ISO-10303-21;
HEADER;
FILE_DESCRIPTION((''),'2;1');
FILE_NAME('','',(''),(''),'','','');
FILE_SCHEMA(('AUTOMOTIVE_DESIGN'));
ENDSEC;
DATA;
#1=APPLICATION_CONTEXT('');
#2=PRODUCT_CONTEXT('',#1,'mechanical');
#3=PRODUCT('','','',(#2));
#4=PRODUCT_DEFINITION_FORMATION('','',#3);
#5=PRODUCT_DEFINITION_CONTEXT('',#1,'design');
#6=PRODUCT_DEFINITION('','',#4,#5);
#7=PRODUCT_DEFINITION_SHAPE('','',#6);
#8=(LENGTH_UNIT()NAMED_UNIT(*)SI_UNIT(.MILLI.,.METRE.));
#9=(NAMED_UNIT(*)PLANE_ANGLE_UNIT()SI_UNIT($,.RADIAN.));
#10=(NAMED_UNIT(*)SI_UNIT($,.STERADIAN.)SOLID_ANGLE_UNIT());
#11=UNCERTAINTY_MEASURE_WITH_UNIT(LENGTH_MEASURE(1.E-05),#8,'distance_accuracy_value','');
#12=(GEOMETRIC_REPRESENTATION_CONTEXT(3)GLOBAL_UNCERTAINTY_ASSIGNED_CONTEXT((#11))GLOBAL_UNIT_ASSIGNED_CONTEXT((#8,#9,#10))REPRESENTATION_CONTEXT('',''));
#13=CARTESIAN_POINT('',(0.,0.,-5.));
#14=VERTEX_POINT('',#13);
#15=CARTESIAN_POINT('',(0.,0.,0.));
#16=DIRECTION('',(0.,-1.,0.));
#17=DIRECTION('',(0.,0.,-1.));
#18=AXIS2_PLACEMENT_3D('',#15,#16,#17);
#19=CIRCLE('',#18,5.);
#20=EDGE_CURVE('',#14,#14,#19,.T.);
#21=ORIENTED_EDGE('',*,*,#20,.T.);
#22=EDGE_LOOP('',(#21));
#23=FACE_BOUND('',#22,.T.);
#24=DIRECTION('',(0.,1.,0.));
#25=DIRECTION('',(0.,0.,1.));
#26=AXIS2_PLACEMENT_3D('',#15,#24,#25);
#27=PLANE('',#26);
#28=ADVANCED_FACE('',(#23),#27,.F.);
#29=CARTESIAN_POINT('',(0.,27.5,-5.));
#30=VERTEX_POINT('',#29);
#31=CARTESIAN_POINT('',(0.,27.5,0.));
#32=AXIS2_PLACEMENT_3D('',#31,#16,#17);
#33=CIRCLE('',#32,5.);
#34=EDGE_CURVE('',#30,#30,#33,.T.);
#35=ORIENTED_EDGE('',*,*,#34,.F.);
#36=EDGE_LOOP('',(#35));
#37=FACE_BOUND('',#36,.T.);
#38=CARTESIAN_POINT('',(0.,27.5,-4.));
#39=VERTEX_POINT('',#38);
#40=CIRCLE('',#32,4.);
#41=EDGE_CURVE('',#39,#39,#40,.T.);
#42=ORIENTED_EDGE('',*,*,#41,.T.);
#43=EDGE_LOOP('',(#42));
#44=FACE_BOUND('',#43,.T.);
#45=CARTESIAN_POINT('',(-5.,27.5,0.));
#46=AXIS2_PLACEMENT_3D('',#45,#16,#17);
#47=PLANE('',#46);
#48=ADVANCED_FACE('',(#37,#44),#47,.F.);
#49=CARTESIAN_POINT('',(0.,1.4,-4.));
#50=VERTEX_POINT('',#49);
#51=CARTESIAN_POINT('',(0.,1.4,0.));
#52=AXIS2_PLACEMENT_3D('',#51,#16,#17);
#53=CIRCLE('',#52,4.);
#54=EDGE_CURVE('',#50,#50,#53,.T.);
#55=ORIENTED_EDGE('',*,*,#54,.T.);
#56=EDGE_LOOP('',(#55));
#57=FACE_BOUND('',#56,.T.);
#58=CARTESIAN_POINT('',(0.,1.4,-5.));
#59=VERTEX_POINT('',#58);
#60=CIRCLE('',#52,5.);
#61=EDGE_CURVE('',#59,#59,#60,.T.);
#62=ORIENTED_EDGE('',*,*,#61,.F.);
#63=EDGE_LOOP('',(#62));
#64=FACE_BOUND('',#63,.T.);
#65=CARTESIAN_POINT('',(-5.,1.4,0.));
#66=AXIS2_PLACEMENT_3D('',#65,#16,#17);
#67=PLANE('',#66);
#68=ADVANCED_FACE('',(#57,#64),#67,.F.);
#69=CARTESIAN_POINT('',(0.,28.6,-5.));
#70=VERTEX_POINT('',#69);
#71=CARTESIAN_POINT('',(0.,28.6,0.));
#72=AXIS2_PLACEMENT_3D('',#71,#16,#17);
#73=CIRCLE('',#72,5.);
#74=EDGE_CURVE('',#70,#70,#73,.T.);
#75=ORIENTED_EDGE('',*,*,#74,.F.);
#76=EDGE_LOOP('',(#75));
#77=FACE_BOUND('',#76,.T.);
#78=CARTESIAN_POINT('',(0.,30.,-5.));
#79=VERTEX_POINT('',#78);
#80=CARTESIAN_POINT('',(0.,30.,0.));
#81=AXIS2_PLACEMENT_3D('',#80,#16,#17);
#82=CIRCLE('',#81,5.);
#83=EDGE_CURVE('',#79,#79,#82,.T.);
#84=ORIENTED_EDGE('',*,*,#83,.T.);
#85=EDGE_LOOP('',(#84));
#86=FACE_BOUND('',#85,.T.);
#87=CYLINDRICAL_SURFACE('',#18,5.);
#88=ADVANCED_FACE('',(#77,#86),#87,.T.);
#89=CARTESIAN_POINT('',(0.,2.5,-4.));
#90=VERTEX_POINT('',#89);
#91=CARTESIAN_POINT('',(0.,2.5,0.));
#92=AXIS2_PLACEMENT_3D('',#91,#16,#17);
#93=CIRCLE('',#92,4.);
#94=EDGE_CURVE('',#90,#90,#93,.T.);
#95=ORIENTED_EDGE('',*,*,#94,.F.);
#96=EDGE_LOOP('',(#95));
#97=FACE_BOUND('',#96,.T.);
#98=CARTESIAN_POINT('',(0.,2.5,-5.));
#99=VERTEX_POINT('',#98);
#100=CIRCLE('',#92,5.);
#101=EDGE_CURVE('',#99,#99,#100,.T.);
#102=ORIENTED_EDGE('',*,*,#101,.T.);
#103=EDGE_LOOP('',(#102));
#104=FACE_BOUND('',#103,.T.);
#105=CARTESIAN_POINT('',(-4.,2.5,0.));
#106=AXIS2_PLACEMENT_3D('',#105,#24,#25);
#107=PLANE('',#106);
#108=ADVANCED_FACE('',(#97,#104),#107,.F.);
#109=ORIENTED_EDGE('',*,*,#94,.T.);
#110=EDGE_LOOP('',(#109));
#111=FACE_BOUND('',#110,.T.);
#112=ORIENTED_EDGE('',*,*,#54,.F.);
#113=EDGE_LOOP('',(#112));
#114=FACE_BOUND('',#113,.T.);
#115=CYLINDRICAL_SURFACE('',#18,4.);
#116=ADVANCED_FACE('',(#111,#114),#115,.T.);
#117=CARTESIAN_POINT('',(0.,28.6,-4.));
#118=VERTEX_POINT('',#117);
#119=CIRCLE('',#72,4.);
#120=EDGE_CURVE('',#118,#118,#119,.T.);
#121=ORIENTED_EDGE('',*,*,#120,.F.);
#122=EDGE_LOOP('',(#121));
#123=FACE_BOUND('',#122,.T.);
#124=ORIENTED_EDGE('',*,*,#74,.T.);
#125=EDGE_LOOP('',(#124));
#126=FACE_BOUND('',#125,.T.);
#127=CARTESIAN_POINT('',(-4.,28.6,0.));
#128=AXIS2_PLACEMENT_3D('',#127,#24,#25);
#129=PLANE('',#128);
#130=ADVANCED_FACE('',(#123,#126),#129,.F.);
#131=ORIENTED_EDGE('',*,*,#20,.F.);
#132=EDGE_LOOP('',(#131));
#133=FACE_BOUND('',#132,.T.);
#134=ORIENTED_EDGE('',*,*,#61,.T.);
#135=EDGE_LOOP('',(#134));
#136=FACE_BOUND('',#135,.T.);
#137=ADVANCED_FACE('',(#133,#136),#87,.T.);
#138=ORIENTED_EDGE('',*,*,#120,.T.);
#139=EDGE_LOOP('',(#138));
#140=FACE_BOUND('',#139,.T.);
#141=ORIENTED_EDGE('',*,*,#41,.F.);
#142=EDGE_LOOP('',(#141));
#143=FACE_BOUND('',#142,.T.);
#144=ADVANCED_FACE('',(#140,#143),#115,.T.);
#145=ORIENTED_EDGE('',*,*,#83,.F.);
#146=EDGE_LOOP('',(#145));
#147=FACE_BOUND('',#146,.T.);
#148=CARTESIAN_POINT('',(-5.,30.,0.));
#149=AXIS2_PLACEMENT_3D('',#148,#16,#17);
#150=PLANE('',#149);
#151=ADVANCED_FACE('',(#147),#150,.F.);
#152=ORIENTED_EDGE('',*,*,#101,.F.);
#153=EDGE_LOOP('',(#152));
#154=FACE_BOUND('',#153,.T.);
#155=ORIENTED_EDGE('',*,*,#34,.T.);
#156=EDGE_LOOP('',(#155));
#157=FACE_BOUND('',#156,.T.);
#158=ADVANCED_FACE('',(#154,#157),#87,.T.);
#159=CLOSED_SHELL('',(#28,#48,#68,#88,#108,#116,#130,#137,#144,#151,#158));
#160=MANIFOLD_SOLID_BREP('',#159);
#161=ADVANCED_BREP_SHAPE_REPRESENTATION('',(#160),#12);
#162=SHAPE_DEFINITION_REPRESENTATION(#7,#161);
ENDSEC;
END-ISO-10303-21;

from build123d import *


with BuildPart() as part:
    # 草图1 → 旋转1 (revolve)
    with BuildSketch(Plane.XY, mode=Mode.PRIVATE) as revolve_1_sk:
        Polygon((0, 0), (-5, 0), (-5, 1.4), (-4, 1.4), (-4, 2.5), (-5, 2.5), (-5, 27.5), (-4, 27.5), (-4, 28.6), (-5, 28.6), (-5, 30), (0, 30), align=None)
    revolve(revolve_1_sk.sketch.rotate(Axis((0, 0, 0), (0, 1, 0)), 270), axis=Axis((0, 0, 0), (0, 1, 0)))


solid = part.part
